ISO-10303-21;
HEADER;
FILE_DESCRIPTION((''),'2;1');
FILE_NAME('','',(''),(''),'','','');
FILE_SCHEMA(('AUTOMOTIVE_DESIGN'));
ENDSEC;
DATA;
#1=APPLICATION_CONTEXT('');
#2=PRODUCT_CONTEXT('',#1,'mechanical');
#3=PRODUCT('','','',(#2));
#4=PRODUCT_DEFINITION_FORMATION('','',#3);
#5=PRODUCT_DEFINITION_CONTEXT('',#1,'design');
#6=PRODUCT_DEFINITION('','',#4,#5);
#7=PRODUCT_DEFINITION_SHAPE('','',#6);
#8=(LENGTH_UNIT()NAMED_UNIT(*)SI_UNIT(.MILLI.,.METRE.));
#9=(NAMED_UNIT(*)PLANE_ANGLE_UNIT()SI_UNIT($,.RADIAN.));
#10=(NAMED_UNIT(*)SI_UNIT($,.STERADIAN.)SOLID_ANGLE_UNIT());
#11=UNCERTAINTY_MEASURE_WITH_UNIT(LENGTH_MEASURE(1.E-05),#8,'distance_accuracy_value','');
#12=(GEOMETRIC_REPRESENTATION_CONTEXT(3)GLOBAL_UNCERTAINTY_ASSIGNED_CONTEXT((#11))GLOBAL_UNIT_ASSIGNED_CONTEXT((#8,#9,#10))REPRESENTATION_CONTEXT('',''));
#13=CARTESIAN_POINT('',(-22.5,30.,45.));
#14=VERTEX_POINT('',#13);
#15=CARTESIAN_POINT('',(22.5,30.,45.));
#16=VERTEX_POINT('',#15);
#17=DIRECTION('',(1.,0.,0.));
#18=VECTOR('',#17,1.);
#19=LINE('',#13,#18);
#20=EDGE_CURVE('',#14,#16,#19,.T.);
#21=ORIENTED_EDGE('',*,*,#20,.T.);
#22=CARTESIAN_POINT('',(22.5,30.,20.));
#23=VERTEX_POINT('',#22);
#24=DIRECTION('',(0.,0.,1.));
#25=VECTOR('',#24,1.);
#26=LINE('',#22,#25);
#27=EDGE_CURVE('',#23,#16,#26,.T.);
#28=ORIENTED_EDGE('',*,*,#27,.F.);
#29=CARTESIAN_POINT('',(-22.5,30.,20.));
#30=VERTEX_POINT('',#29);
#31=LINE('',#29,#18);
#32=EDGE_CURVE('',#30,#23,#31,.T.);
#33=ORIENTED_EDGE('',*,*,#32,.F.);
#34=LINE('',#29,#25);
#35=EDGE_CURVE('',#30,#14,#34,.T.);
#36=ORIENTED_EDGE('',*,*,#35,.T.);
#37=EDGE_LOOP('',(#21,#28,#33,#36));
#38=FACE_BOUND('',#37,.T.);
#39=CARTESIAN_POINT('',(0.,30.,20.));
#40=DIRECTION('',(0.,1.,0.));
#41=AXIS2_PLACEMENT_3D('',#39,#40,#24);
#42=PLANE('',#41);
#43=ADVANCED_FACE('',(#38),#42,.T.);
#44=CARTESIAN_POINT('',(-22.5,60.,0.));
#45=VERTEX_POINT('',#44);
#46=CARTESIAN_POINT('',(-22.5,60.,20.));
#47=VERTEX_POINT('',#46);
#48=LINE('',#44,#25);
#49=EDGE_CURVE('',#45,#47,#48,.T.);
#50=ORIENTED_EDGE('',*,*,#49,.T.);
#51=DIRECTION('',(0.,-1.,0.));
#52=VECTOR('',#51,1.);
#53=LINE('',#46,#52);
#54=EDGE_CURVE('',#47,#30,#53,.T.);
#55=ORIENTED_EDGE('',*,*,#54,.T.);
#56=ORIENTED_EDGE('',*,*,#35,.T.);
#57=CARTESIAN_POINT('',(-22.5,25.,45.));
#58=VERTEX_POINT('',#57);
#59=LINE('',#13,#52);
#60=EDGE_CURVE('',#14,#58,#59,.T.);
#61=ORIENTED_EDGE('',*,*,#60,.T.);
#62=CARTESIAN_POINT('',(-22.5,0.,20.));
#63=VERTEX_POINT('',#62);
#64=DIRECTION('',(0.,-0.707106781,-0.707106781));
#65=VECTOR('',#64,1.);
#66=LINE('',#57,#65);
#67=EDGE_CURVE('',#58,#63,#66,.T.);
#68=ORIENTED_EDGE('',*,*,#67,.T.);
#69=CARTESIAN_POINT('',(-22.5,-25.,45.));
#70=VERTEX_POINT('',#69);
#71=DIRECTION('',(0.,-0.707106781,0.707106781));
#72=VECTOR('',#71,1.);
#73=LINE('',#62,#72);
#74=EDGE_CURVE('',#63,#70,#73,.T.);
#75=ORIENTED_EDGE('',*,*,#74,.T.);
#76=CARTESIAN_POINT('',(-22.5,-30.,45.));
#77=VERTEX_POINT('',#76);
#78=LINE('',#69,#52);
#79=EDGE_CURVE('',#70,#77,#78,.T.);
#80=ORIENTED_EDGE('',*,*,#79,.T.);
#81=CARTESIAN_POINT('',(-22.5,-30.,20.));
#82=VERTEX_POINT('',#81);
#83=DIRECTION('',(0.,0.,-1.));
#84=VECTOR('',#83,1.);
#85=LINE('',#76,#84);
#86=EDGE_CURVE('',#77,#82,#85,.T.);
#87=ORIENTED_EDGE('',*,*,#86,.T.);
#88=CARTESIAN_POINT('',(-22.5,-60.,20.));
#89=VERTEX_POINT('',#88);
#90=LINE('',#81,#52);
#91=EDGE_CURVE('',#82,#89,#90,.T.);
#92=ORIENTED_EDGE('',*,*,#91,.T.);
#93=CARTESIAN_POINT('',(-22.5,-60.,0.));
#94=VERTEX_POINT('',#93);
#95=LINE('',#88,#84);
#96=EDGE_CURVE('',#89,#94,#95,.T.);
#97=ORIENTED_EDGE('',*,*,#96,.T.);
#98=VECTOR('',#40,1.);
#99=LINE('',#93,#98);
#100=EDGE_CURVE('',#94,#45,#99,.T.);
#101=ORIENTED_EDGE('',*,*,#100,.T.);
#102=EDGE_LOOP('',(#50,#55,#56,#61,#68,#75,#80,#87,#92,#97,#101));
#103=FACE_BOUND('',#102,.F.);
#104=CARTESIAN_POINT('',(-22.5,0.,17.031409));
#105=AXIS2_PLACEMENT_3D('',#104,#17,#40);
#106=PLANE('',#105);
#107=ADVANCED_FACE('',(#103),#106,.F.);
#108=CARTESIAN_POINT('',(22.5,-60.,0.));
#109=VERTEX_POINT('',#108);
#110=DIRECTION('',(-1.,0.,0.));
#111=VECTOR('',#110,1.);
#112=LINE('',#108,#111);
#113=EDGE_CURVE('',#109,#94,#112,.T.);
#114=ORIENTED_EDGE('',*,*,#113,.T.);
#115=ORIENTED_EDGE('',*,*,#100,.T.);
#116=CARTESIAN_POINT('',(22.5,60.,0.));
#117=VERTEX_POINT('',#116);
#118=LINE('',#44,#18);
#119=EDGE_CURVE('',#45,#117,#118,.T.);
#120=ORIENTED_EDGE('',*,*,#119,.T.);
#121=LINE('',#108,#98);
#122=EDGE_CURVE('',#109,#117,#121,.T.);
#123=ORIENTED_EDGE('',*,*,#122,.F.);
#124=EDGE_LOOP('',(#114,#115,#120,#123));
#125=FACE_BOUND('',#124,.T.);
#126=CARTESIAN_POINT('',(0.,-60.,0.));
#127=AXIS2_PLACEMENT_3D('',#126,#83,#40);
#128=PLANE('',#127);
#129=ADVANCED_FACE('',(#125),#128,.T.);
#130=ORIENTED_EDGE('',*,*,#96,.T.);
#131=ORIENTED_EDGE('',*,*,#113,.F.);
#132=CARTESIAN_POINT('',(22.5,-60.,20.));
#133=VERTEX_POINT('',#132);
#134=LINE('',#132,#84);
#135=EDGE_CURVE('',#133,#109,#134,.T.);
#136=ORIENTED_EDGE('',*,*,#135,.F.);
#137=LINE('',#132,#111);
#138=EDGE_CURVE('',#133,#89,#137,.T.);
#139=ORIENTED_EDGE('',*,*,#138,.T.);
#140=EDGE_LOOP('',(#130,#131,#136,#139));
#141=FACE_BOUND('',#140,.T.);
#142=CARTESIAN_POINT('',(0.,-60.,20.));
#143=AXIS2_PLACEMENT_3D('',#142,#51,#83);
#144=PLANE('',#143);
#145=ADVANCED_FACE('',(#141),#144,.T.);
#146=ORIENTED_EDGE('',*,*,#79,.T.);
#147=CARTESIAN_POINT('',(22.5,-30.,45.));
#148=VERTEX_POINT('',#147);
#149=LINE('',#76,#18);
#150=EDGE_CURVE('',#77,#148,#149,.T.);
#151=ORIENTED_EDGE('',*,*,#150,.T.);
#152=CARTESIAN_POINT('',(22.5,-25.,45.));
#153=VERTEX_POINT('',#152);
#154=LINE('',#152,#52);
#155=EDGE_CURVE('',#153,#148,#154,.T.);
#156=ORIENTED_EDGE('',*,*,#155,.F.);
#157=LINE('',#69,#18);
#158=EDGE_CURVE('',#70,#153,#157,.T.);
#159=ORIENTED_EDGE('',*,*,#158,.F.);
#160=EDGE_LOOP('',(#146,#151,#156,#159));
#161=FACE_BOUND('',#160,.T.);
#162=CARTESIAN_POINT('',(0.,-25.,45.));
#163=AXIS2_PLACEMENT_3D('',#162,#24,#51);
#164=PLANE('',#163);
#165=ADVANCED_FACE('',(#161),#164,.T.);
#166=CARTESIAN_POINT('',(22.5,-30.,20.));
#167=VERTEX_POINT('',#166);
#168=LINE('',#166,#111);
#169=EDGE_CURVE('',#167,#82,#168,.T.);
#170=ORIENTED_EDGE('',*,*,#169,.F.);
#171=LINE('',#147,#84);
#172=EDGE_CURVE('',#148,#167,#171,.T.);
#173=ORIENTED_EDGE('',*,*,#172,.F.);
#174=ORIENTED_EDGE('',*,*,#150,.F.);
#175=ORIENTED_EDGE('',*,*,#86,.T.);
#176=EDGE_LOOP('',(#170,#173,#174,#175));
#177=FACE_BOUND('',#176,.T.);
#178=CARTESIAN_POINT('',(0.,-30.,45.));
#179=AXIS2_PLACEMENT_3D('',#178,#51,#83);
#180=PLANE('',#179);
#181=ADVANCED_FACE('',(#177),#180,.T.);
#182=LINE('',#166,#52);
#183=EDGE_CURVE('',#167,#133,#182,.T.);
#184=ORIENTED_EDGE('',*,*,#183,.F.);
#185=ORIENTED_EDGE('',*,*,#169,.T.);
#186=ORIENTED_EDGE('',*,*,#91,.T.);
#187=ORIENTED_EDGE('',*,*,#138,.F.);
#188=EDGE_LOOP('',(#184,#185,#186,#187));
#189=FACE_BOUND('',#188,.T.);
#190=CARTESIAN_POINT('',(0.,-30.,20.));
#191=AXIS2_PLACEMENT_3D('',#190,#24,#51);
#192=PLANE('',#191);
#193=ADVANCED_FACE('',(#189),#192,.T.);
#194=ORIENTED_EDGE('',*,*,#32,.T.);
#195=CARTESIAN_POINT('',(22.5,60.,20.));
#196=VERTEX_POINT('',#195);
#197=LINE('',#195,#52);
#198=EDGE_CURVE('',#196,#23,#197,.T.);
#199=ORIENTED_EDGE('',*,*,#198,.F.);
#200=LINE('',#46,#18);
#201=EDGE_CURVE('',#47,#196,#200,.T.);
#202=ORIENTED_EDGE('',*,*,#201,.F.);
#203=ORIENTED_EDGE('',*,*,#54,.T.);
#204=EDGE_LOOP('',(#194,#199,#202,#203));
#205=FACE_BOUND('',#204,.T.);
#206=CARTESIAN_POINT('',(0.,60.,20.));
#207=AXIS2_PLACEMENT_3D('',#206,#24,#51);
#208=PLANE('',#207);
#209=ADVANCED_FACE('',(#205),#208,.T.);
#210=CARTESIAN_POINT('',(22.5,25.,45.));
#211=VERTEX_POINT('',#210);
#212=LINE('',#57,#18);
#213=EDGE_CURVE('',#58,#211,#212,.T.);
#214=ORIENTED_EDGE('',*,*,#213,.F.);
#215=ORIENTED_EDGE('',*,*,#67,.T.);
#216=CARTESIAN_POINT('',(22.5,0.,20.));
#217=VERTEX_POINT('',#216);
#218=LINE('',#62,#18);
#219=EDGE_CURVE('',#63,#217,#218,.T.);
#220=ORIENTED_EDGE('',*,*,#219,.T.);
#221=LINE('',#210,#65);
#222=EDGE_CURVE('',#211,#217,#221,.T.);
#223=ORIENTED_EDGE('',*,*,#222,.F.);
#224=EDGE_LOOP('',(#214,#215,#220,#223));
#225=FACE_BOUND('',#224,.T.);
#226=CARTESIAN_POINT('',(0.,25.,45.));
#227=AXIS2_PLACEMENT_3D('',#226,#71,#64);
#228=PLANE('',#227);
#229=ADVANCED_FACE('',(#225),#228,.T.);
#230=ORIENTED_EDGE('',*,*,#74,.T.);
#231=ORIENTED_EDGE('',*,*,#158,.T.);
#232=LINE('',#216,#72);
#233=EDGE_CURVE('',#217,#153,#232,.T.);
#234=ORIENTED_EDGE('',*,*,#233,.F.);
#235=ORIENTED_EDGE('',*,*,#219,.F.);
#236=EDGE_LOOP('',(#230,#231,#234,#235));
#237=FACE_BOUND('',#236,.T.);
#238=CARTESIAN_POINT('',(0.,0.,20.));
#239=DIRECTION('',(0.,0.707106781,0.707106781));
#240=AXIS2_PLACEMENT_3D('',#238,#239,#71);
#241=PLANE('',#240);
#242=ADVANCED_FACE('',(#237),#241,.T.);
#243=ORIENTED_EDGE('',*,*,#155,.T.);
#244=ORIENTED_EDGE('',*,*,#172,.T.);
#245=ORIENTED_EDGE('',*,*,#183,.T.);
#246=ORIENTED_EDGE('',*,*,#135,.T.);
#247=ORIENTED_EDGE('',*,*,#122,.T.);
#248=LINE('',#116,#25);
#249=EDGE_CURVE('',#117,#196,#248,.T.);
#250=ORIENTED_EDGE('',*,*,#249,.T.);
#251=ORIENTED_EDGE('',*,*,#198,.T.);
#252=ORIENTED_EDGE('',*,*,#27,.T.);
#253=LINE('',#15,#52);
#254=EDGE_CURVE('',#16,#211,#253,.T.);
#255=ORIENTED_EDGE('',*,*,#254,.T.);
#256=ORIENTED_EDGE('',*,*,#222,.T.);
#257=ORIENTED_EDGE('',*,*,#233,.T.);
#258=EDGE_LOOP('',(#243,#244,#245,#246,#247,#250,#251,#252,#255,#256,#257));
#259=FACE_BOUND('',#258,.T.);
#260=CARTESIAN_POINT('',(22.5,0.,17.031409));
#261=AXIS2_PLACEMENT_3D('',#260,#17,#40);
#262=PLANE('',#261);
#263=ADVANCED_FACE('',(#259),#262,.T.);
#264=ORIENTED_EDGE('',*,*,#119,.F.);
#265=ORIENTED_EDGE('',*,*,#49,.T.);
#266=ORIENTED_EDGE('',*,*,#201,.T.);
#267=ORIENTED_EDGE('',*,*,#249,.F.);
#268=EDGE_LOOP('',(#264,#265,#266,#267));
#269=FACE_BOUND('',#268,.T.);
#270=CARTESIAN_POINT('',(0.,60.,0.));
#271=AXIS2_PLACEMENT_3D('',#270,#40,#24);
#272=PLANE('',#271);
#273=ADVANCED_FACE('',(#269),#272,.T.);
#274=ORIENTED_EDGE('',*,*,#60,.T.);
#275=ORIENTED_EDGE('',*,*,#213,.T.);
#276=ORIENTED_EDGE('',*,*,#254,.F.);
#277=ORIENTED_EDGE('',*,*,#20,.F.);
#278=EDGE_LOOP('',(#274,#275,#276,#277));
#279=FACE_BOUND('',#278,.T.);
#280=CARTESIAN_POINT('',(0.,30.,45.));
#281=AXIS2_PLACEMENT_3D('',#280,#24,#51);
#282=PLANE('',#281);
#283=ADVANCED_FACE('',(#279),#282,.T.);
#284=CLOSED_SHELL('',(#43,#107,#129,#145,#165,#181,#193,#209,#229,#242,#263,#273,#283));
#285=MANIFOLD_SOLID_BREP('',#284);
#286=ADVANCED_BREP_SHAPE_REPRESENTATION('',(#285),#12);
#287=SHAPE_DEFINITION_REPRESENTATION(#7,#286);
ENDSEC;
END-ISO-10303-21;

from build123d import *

# Parameters (mm, degrees)
PAD_DEPTH = 22.5


with BuildPart() as part:
    # CopySketch → Pad (new body, symmetric)
    with BuildSketch(Plane.YZ):
        Polygon((-60, 0), (60, 0), (60, 20), (30, 20), (30, 45), (25, 45), (0, 20), (-25, 45), (-30, 45), (-30, 20), (-60, 20), align=None)
    extrude(amount=PAD_DEPTH, both=True)


solid = part.part
